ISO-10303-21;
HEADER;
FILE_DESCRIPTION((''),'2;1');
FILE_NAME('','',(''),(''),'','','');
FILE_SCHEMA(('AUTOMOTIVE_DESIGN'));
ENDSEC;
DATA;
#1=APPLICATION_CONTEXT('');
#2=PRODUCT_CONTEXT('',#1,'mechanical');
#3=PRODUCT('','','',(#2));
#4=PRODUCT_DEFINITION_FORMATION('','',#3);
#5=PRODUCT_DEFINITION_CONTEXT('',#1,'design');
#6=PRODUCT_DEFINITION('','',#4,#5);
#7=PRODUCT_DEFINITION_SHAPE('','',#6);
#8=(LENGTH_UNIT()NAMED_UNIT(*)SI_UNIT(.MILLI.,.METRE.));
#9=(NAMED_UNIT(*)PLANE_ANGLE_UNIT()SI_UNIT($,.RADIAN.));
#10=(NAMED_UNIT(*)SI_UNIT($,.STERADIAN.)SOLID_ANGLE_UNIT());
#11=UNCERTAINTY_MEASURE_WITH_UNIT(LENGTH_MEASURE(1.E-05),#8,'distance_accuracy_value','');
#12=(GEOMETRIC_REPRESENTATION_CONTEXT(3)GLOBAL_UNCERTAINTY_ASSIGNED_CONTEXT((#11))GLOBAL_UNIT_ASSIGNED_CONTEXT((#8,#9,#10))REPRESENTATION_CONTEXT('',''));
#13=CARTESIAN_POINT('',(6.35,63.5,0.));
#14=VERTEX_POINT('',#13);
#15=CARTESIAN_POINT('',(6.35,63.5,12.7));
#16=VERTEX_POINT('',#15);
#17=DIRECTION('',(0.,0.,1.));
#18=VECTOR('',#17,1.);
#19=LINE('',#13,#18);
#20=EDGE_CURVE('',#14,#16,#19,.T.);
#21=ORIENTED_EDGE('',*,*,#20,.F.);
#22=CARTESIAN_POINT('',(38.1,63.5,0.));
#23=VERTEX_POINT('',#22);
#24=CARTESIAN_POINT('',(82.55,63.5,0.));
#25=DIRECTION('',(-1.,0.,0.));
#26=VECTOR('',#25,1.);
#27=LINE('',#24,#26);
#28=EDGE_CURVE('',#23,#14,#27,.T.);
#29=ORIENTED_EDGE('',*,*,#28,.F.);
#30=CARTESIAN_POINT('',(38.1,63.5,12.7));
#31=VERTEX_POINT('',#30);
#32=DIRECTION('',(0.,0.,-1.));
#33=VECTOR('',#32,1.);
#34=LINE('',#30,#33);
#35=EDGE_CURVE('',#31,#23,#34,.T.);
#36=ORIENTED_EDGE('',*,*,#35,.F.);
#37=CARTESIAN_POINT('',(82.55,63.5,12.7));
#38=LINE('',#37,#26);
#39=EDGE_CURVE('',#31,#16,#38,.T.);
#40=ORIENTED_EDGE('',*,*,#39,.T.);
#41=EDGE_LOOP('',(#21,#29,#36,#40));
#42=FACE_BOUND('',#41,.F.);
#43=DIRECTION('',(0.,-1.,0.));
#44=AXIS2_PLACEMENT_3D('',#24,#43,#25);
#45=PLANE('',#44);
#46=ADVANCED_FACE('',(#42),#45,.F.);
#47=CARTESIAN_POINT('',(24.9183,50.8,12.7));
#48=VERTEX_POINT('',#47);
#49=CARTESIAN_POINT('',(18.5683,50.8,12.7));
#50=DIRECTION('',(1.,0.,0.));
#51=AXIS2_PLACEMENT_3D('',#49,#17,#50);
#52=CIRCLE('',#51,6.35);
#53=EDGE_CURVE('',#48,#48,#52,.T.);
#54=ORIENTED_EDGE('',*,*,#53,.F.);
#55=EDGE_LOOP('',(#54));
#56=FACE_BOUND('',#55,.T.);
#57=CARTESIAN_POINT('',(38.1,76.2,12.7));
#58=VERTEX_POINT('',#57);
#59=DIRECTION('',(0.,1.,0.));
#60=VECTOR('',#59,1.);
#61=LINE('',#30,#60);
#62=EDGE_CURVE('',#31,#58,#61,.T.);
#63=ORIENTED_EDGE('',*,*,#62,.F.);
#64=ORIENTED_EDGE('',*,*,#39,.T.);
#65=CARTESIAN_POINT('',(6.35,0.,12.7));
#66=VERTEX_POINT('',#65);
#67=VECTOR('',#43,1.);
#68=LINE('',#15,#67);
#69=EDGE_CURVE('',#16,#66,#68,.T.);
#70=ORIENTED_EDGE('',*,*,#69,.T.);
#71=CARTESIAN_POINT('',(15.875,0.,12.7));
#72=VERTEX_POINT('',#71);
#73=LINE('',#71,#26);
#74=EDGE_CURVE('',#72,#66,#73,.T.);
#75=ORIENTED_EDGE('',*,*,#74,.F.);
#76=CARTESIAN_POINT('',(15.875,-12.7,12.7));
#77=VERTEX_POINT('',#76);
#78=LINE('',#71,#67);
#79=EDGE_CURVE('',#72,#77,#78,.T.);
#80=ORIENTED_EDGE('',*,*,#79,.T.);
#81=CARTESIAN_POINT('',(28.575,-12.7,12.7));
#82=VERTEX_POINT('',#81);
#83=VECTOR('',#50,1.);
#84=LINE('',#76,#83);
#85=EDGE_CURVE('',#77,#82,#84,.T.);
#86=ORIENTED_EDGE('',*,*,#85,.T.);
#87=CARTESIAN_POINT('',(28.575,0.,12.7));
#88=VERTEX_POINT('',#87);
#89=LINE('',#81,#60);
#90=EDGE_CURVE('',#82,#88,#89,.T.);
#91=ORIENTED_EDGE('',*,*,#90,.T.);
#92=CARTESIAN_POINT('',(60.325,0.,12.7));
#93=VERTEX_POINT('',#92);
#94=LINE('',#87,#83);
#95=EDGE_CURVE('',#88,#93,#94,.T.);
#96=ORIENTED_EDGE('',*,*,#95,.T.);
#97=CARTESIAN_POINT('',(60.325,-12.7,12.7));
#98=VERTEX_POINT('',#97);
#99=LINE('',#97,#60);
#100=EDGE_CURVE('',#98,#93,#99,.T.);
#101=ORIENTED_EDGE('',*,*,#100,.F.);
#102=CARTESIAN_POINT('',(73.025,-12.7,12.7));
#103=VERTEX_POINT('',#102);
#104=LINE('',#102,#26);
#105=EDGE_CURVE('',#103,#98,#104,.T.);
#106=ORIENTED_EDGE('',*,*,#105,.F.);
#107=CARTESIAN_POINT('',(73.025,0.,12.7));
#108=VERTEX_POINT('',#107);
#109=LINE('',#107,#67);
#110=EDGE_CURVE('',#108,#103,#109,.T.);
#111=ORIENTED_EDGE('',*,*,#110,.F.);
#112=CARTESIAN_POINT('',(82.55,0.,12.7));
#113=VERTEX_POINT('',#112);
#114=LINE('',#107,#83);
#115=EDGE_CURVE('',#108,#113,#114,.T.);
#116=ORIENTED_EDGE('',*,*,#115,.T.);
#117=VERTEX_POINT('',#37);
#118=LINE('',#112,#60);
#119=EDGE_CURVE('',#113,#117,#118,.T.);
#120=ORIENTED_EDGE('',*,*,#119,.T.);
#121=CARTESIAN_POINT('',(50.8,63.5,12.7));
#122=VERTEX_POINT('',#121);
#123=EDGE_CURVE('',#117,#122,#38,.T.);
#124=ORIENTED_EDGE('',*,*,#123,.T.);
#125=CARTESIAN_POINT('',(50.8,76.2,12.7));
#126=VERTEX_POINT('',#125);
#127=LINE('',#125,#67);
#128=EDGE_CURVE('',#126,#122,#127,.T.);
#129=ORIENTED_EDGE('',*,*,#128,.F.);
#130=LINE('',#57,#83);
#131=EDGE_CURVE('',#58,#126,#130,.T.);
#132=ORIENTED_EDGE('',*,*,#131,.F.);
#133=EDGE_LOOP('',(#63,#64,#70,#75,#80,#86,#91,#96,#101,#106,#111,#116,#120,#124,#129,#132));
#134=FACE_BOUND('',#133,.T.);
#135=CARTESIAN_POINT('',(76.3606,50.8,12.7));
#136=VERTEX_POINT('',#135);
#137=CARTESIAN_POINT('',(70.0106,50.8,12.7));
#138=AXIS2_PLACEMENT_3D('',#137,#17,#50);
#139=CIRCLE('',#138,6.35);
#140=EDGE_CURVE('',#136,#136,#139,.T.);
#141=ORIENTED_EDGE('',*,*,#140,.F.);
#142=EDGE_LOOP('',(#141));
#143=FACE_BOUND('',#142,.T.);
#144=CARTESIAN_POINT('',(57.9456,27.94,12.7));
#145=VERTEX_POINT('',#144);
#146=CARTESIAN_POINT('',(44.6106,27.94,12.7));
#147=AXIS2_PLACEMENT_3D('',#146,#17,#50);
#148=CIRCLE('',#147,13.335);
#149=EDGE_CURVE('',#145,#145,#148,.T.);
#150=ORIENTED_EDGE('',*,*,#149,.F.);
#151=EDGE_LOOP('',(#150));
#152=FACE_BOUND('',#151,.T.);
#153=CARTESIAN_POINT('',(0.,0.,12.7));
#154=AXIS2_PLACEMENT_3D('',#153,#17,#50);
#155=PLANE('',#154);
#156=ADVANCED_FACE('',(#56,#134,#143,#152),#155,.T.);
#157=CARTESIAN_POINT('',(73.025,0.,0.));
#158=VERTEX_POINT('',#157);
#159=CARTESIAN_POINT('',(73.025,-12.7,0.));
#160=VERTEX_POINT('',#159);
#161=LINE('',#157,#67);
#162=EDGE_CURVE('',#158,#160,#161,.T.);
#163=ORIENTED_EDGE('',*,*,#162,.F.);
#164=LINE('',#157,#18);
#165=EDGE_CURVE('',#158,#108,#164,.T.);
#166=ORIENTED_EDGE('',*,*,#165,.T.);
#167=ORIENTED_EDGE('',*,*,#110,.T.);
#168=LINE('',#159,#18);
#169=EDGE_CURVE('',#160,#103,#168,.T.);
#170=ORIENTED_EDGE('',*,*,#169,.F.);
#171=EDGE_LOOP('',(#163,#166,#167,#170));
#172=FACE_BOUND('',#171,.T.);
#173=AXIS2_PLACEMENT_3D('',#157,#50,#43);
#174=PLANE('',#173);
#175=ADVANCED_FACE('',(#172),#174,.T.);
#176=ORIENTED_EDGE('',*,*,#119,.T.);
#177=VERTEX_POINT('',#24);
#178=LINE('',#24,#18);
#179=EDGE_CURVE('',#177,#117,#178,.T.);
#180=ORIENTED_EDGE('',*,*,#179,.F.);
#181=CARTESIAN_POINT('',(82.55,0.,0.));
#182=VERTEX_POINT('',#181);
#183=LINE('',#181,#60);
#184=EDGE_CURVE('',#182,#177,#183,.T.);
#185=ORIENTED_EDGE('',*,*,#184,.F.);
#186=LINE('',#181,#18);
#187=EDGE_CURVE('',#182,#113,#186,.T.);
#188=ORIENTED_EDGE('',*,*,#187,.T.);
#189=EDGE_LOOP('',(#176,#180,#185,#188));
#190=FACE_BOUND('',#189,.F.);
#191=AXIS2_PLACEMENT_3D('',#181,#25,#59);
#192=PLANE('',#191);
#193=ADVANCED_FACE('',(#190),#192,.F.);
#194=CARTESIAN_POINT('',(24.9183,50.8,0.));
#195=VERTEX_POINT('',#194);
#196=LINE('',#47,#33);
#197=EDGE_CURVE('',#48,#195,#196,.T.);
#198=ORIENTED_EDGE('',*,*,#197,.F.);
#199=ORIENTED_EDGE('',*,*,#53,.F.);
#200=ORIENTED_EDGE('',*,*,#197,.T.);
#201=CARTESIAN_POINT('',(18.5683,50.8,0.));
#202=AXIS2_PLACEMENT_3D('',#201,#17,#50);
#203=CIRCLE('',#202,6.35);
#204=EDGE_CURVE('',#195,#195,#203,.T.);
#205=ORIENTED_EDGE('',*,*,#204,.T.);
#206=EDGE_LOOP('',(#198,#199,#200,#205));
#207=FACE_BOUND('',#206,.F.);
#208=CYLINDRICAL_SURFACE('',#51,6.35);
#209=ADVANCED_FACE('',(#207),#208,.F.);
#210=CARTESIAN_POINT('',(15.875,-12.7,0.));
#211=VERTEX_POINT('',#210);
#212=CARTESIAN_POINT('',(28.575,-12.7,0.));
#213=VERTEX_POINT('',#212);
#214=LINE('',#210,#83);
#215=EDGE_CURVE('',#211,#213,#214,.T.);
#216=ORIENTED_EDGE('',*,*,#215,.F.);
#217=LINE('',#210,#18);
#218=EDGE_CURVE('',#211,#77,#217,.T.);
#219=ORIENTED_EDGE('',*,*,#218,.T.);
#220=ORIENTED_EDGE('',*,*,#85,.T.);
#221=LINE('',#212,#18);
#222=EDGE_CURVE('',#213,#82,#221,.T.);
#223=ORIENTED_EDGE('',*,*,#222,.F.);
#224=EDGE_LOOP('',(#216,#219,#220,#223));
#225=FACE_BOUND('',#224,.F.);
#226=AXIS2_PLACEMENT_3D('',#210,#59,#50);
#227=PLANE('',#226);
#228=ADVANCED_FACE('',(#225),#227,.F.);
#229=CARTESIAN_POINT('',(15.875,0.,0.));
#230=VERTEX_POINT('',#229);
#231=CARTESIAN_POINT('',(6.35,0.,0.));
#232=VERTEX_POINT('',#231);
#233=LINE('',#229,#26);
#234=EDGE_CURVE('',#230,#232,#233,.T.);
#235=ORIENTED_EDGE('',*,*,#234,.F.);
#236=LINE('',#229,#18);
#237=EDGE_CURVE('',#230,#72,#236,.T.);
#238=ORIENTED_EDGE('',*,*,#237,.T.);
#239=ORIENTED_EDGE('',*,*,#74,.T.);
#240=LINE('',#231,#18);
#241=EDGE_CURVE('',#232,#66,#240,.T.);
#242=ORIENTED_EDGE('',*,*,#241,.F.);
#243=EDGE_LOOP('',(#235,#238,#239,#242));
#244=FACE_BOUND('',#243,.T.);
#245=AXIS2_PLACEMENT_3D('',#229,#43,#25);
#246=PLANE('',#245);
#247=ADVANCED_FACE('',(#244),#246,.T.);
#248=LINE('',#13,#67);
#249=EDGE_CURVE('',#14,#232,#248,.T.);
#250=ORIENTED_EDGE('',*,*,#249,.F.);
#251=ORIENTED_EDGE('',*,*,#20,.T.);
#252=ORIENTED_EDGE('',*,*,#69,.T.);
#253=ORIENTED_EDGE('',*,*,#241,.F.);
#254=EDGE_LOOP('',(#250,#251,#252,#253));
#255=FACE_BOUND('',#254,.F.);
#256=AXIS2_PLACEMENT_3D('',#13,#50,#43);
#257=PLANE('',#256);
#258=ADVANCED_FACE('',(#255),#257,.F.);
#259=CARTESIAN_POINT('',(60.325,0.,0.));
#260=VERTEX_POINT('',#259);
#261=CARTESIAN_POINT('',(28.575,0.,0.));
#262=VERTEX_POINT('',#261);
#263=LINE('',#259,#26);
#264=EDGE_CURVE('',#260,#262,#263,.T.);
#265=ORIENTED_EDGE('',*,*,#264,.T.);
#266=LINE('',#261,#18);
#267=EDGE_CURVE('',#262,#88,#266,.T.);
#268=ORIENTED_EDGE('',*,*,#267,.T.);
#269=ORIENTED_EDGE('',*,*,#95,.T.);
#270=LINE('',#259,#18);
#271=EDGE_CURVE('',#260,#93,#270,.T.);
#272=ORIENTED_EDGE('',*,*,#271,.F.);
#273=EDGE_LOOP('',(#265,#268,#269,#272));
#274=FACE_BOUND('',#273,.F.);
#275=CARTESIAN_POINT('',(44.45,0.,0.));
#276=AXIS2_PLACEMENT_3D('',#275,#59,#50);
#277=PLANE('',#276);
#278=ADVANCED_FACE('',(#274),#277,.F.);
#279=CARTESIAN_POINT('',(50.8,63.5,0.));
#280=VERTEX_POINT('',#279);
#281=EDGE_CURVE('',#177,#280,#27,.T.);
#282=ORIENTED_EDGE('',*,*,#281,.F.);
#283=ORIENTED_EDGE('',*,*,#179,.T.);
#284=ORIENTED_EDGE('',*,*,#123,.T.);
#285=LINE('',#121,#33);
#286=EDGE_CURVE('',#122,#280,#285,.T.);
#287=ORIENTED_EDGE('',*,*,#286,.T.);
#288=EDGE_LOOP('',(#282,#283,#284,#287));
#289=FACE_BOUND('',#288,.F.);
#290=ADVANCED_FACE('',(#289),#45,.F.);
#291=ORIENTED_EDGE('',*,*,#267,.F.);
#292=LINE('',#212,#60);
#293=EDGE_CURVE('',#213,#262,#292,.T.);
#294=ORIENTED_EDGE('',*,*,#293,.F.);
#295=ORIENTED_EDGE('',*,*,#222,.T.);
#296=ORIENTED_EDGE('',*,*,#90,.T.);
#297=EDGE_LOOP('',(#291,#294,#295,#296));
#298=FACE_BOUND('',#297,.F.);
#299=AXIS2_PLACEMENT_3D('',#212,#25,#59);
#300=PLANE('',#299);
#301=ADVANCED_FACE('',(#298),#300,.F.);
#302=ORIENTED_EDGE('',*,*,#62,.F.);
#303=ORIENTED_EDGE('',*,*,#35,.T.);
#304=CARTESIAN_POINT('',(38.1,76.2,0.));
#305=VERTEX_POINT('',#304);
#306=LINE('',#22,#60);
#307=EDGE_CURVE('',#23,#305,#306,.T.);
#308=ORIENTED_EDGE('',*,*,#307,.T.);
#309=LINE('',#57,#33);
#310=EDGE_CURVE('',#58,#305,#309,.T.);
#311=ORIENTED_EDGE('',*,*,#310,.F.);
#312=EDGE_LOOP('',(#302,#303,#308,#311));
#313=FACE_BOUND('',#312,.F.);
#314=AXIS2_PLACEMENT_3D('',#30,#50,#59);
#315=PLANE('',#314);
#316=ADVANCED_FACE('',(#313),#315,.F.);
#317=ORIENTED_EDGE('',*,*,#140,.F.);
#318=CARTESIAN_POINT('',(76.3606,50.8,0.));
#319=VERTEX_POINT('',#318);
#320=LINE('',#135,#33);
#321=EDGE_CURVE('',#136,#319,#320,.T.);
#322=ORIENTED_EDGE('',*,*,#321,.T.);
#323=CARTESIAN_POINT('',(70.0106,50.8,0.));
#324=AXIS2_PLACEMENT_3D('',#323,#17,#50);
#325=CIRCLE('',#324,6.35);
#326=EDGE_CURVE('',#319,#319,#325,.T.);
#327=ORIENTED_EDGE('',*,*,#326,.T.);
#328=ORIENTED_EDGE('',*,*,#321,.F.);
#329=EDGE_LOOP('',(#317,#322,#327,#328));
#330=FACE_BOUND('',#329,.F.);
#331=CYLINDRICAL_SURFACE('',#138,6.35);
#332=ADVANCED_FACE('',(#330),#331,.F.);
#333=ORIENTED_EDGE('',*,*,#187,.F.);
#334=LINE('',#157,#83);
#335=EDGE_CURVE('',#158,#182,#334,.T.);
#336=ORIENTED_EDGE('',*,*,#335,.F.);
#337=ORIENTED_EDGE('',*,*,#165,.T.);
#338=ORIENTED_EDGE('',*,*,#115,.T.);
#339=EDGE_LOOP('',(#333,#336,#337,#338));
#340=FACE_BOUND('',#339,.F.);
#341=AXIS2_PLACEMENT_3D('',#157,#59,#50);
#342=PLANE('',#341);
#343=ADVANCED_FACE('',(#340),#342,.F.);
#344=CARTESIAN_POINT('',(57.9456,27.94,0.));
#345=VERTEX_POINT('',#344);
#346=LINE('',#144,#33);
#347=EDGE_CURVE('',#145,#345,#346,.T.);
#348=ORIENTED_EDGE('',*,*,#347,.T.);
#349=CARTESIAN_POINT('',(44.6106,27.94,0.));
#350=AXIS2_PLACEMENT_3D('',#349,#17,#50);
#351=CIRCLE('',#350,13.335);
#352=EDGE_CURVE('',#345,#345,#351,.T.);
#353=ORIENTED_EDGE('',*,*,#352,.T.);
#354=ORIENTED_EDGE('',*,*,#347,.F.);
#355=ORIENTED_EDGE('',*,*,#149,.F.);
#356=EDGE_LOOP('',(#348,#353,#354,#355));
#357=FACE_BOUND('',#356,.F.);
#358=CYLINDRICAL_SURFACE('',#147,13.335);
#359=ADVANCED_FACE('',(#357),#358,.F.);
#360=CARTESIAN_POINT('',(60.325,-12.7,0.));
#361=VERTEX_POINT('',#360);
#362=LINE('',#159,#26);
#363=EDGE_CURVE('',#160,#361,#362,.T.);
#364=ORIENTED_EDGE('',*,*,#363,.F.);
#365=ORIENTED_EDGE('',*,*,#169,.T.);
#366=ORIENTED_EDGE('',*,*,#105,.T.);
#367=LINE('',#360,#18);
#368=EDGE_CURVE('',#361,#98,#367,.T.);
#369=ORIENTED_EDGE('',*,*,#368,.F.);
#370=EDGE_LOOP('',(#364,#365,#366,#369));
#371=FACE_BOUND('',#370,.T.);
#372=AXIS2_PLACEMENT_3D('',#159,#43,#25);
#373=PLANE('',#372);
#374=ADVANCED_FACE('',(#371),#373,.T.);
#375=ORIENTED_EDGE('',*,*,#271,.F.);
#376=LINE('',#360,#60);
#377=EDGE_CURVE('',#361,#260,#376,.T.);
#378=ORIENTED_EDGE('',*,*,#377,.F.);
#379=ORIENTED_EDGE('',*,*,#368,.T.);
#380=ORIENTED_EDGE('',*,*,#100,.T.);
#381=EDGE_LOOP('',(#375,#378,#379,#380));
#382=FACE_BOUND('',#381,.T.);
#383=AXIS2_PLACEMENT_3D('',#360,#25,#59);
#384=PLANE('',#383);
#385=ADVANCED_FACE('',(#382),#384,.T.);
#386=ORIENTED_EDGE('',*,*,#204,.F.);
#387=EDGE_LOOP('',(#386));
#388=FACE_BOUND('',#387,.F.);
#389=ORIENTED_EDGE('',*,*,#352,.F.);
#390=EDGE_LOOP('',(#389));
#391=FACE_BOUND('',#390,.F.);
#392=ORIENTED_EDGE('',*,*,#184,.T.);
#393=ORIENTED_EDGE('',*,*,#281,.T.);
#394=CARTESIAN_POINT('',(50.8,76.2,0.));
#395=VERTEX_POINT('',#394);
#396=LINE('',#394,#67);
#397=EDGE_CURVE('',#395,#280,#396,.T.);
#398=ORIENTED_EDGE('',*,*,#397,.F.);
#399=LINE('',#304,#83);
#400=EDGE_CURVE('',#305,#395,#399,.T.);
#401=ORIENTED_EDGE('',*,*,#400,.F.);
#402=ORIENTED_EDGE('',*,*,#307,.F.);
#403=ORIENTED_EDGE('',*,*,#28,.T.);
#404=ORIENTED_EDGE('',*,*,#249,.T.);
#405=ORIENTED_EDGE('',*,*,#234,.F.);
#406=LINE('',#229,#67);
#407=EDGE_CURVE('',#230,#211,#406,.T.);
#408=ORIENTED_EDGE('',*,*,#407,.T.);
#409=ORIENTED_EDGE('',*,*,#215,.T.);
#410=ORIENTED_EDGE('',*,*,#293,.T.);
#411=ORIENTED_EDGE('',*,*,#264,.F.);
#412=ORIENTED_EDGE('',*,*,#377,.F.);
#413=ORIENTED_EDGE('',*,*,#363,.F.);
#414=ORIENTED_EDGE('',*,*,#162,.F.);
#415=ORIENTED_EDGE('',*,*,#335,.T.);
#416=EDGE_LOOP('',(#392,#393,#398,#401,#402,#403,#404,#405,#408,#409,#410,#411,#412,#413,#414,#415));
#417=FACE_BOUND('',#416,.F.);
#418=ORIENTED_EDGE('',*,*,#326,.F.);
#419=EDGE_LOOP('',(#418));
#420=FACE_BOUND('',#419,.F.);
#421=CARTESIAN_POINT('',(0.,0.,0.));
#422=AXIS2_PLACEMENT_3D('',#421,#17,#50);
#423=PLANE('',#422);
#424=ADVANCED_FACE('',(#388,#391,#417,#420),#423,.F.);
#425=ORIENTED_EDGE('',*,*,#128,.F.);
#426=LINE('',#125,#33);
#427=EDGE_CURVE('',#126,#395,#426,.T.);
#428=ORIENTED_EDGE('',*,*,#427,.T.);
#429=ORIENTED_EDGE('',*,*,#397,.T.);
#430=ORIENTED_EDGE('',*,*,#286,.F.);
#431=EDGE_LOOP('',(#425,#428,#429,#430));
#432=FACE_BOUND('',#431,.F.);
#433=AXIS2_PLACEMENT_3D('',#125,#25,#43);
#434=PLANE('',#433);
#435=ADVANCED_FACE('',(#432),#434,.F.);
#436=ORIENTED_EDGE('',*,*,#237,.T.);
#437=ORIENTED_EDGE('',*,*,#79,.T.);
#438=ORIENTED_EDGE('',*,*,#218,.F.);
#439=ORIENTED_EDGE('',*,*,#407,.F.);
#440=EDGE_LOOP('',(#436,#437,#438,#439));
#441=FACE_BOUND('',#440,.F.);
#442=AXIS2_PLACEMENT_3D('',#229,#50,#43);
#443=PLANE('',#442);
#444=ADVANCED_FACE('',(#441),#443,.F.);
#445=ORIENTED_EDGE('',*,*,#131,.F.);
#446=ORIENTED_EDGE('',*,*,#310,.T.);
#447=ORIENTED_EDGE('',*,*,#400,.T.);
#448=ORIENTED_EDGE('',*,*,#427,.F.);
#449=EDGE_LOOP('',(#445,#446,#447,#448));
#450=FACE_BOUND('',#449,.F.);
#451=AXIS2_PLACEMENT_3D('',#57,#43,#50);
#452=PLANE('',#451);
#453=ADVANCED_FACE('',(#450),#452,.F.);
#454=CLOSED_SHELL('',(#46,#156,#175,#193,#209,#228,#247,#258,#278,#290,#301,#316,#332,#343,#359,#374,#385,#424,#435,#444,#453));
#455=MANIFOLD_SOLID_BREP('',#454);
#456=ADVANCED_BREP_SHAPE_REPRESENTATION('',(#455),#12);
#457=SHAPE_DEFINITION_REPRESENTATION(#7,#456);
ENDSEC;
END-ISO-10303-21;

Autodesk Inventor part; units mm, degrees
ref_plane "YZ Plane" through (0, 0, 0) normal (1, 0, 0) x (0, 1, 0)
ref_plane "XZ Plane" through (0, 0, 0) normal (0, 1, 0) x (-1, 0, 0)
ref_plane "XY Plane" through (0, 0, 0) normal (0, 0, 1) x (1, 0, 0)
sketch "Sketch1" plane through (0, 0, 0) normal (0, 0, 1) x (1, 0, 0)
  circle A0 centre (44.45, 27.9405) radius 6.985 construction
  circle A1 centre (18.5683, 50.8) radius 6.35 construction
  line L0 (6.35, 63.5) -> (6.35, 50.8) construction
  line L1 (6.35, 50.8) -> (19.05, 50.8) construction
  line L2 (19.05, 50.8) -> (19.05, 63.5) construction
  line L3 (19.05, 63.5) -> (6.35, 63.5) construction
  circle A2 centre (70.0106, 50.8) radius 6.35 construction
  line L4 (31.779, 27.94) -> (38.1948, 39.0525) construction
  line L5 (38.1948, 39.0525) -> (51.0264, 39.0525) construction
  line L6 (51.0264, 39.0525) -> (57.4422, 27.94) construction
  line L7 (57.4422, 27.94) -> (51.0264, 16.8275) construction
  line L8 (51.0264, 16.8275) -> (38.1948, 16.8275) construction
  line L9 (6.35, 63.5) -> (6.35, 0)
  line L10 (82.55, 0) -> (82.55, 63.5)
  line L11 (82.55, 63.5) -> (6.35, 63.5)
  line L12 (31.779, 27.94) -> (38.1948, 16.8275) construction
  line L13 (44.45, 0) -> (44.45, 27.9405) construction
  line L14 (44.45, 27.9405) -> (44.45, 63.5) construction
  line L15 (44.45, 0) -> (60.325, 0)
  line L16 (44.45, 0) -> (60.325, 0)
  line L17 (73.025, 0) -> (73.025, -12.7)
  line L18 (73.025, -12.7) -> (60.325, -12.7)
  line L19 (60.325, -12.7) -> (60.325, 0)
  line L20 (73.025, 0) -> (82.55, 0)
  line L21 (44.45, 0) -> (28.575, 0)
  line L22 (44.45, 0) -> (28.575, 0)
  line L23 (15.875, 0) -> (15.875, -12.7)
  line L24 (15.875, -12.7) -> (28.575, -12.7)
  line L25 (28.575, -12.7) -> (28.575, 0)
  line L26 (15.875, 0) -> (6.35, 0)
  point P0 (0, 0)
  point P1 (0, 0)
  point P2 (12.8606, 0)
  dimension "d0" = 76.2
  dimension "d1" = 63.5
  dimension "d21" = 15.875
  dimension "d22" = 0
  dimension "d24" = 12.7
  dimension "d25" = 12.7
extrude "Extrusion1" add sketch "Sketch1" along normal blind 12.7
sketch "Sketch2" plane through (0, 0, 12.7) normal (0, 0, 1) x (1, 0, 0)
  circle A0 centre (18.5683, 50.8) radius 6.35
  line L0 (31.779, 27.94) -> (38.1948, 39.0525) construction
  line L1 (44.45, 0) -> (44.45, 15.875) construction
  line L2 (38.1948, 39.0525) -> (51.0264, 39.0525) construction
  line L3 (51.0264, 16.8275) -> (38.1948, 16.8275) construction
  circle A1 centre (44.6106, 27.94) radius 13.335
  line L4 (51.0264, 39.0525) -> (57.4422, 27.94) construction
  line L5 (57.4422, 27.94) -> (51.0264, 16.8275) construction
  circle A2 centre (70.0106, 50.8) radius 6.35
  line L6 (44.45, 0) -> (44.45, 27.94) construction
  line L7 (31.779, 27.94) -> (38.1948, 16.8275) construction
  line L8 (44.45, 0) -> (44.45, 27.94) construction
  line L9 (6.35, 63.5) -> (82.55, 63.5) construction
  line L10 (44.45, 27.94) -> (44.45, 63.5) construction
  line L11 (82.55, 63.5) -> (6.35, 63.5) construction
  dimension "d8" = 26.67
  dimension "d9" = 12.7
  dimension "d10" = 12.7
  dimension "d17" = 27.94
extrude "Extrusion2" cut sketch "Sketch2" against normal blind 12.7
sketch "Sketch3" plane through (0, 0, 12.7) normal (0, 0, 1) x (1, 0, 0)
  line L0 (28.575, 0) -> (60.325, 0) construction
  line L1 (44.45, 0) -> (44.45, 63.5) construction
  line L2 (82.55, 63.5) -> (6.35, 63.5) construction
  line L3 (44.45, 63.5) -> (44.45, 69.85) construction
  line L4 (38.1, 76.2) -> (50.8, 76.2)
  line L5 (50.8, 76.2) -> (50.8, 63.5)
  line L6 (50.8, 63.5) -> (38.1, 63.5)
  line L7 (38.1, 63.5) -> (38.1, 76.2)
  line L8 (38.1, 76.2) -> (50.8, 63.5) construction
  line L9 (50.8, 76.2) -> (38.1, 63.5) construction
  point P0 (0, 0)
  dimension "d26" = 6.35
  dimension "d27" = 12.7
  dimension "d28" = 12.7
extrude "Extrusion3" add sketch "Sketch3" against normal blind 12.7
properties part number "Near Holder" material "PVC-Piping"
